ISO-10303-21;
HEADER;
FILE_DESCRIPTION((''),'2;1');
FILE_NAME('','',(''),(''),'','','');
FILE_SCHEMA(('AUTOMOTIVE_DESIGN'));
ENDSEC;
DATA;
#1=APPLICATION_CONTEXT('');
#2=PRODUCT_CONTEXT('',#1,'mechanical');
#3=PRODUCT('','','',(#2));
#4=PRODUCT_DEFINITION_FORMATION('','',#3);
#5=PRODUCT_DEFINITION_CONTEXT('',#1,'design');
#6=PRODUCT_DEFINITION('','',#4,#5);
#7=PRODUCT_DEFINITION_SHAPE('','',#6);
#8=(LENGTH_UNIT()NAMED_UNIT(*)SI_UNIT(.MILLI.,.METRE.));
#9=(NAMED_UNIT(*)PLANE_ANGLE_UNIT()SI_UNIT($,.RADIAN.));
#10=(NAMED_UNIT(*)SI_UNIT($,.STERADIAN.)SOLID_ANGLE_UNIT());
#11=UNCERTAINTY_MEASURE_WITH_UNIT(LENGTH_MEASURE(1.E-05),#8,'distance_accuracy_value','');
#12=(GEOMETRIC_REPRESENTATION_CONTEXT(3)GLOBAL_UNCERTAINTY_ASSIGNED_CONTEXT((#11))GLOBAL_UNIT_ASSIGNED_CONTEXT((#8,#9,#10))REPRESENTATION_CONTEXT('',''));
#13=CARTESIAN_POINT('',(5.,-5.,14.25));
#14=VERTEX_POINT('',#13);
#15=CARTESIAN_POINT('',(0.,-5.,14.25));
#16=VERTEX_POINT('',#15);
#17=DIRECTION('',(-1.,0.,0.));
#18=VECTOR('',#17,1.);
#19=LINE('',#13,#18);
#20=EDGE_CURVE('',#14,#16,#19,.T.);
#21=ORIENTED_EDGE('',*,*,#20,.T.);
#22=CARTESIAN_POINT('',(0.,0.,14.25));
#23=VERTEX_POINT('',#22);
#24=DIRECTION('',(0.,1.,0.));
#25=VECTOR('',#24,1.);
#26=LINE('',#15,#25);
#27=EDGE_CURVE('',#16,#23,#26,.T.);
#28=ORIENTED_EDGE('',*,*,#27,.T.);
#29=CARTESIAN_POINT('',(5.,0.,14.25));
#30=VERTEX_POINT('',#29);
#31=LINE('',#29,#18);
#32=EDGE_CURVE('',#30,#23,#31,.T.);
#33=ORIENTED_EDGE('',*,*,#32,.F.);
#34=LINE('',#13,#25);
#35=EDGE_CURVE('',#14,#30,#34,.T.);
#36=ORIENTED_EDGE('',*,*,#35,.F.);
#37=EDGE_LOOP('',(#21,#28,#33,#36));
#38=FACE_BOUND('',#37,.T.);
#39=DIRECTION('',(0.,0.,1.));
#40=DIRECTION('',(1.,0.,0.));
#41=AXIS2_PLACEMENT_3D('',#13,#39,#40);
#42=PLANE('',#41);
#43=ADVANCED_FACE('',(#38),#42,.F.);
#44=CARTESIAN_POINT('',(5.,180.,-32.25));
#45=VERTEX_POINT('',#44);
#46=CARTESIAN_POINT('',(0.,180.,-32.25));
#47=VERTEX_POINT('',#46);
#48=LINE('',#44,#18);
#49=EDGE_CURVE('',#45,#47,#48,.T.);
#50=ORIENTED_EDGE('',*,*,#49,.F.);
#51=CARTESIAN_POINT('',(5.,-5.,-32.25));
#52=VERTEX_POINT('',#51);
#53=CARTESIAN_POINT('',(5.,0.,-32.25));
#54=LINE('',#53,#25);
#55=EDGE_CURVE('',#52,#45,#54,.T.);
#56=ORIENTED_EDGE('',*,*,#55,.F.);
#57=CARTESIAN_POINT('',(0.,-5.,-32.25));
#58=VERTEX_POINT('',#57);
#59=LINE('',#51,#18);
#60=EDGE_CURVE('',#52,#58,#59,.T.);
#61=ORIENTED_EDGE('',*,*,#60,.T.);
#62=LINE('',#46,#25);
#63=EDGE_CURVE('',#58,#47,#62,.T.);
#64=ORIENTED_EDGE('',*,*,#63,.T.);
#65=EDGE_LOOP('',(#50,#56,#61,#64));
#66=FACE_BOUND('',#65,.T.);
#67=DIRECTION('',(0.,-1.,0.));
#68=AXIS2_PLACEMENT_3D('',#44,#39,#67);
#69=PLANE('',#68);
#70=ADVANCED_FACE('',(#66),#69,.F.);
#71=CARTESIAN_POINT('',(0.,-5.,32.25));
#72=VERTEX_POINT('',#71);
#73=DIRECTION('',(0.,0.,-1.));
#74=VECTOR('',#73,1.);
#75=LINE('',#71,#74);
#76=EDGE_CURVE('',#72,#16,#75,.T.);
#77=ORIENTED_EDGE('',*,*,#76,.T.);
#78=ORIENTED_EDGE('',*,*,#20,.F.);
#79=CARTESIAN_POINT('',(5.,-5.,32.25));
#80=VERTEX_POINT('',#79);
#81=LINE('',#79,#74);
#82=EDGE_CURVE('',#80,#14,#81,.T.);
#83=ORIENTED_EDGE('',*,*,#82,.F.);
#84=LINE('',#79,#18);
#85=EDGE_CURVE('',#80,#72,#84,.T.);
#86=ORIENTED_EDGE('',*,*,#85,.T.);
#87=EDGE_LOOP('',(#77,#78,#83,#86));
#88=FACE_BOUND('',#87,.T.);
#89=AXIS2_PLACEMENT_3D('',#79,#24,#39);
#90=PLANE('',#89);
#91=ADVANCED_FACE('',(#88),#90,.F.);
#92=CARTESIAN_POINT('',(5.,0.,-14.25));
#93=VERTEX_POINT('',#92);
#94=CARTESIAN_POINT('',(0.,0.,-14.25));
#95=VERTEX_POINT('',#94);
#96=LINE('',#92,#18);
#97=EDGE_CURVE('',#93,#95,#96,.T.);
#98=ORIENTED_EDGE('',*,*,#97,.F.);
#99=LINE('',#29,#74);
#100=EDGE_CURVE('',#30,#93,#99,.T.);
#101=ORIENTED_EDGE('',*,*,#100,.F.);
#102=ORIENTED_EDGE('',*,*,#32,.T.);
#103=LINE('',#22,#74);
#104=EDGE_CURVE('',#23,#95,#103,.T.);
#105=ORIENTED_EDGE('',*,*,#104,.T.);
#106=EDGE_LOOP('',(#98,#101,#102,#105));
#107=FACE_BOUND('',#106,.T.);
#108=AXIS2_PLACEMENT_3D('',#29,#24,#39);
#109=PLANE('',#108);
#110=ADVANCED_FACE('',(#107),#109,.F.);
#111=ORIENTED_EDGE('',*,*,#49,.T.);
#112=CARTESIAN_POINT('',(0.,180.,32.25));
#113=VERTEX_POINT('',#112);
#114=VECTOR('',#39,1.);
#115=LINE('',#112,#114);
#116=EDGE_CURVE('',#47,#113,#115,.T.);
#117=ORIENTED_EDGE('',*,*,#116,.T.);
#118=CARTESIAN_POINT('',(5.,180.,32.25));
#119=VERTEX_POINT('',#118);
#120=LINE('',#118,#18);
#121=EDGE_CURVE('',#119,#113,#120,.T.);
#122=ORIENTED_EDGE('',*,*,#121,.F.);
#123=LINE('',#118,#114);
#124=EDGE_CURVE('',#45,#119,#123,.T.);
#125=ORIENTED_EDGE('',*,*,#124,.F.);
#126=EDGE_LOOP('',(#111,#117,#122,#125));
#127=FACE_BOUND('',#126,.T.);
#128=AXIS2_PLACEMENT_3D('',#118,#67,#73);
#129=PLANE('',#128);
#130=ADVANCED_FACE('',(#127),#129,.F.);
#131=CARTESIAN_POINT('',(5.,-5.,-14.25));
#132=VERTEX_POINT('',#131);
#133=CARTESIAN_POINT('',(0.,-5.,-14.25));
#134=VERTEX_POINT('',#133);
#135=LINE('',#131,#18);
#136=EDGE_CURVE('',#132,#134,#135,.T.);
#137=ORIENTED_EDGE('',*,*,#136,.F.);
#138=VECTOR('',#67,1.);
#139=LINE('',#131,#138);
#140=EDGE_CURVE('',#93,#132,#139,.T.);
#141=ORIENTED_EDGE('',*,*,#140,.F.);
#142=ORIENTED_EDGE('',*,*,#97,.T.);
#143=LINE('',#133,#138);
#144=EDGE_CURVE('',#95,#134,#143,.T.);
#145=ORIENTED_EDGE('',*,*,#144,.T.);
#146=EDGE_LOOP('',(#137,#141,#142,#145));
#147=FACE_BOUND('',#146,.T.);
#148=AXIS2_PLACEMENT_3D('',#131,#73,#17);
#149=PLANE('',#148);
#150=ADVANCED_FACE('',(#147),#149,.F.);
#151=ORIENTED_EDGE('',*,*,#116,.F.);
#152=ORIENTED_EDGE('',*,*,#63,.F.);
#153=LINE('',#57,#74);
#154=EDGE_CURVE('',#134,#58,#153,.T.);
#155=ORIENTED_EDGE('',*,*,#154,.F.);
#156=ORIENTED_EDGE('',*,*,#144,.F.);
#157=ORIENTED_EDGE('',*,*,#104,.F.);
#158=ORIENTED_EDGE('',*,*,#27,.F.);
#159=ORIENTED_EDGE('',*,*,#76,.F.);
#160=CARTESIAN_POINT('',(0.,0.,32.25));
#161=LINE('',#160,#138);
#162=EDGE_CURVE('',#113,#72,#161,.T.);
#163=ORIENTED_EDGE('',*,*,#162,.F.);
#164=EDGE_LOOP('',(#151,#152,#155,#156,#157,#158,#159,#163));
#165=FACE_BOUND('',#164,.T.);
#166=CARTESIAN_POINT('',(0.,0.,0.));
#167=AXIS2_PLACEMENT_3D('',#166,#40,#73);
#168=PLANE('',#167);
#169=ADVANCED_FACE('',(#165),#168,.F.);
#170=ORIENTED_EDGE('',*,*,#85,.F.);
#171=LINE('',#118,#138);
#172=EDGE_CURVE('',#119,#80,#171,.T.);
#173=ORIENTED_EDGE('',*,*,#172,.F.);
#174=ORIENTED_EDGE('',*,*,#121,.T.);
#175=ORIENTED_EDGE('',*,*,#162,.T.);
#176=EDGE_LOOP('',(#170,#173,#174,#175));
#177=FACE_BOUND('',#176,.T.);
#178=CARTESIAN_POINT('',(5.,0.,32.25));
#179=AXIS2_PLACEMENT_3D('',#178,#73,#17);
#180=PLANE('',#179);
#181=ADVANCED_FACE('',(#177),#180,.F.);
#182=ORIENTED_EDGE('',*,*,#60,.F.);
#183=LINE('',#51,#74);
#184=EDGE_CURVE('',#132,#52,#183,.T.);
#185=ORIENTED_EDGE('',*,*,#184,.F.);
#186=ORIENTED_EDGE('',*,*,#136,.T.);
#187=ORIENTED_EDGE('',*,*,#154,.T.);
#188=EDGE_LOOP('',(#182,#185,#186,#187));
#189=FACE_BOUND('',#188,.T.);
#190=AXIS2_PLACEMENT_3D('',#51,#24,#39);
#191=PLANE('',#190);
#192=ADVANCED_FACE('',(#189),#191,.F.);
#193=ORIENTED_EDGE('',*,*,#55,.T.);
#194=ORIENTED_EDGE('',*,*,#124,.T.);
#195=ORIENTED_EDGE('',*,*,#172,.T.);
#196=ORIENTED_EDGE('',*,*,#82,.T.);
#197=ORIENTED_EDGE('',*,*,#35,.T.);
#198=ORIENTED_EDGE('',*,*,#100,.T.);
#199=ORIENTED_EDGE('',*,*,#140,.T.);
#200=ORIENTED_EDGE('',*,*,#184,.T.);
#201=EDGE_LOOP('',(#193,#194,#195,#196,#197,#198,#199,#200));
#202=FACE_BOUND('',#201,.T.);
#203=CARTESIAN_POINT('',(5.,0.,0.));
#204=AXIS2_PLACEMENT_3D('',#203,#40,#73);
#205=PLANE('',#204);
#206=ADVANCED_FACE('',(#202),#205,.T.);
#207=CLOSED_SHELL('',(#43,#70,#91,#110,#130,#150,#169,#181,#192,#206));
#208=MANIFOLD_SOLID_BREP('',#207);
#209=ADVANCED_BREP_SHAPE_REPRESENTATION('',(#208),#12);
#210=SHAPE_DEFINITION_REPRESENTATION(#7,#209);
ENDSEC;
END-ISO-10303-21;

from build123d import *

# Parameters (mm, degrees)
BOSS_EXTRUDE1_DEPTH = 5


with BuildPart() as part:
    # Sketch1 → Boss-Extrude1 (new body)
    with BuildSketch(Plane(origin=(0, 0, 0), x_dir=(0, 0, -1), z_dir=(1, 0, 0))):
        Polygon((-32.25, 180), (32.25, 180), (32.25, 0), (32.25, -5), (14.25, -5), (14.25, 0), (-14.25, 0), (-14.25, -5), (-32.25, -5), (-32.25, 0), align=None)
    extrude(amount=BOSS_EXTRUDE1_DEPTH)


solid = part.part
